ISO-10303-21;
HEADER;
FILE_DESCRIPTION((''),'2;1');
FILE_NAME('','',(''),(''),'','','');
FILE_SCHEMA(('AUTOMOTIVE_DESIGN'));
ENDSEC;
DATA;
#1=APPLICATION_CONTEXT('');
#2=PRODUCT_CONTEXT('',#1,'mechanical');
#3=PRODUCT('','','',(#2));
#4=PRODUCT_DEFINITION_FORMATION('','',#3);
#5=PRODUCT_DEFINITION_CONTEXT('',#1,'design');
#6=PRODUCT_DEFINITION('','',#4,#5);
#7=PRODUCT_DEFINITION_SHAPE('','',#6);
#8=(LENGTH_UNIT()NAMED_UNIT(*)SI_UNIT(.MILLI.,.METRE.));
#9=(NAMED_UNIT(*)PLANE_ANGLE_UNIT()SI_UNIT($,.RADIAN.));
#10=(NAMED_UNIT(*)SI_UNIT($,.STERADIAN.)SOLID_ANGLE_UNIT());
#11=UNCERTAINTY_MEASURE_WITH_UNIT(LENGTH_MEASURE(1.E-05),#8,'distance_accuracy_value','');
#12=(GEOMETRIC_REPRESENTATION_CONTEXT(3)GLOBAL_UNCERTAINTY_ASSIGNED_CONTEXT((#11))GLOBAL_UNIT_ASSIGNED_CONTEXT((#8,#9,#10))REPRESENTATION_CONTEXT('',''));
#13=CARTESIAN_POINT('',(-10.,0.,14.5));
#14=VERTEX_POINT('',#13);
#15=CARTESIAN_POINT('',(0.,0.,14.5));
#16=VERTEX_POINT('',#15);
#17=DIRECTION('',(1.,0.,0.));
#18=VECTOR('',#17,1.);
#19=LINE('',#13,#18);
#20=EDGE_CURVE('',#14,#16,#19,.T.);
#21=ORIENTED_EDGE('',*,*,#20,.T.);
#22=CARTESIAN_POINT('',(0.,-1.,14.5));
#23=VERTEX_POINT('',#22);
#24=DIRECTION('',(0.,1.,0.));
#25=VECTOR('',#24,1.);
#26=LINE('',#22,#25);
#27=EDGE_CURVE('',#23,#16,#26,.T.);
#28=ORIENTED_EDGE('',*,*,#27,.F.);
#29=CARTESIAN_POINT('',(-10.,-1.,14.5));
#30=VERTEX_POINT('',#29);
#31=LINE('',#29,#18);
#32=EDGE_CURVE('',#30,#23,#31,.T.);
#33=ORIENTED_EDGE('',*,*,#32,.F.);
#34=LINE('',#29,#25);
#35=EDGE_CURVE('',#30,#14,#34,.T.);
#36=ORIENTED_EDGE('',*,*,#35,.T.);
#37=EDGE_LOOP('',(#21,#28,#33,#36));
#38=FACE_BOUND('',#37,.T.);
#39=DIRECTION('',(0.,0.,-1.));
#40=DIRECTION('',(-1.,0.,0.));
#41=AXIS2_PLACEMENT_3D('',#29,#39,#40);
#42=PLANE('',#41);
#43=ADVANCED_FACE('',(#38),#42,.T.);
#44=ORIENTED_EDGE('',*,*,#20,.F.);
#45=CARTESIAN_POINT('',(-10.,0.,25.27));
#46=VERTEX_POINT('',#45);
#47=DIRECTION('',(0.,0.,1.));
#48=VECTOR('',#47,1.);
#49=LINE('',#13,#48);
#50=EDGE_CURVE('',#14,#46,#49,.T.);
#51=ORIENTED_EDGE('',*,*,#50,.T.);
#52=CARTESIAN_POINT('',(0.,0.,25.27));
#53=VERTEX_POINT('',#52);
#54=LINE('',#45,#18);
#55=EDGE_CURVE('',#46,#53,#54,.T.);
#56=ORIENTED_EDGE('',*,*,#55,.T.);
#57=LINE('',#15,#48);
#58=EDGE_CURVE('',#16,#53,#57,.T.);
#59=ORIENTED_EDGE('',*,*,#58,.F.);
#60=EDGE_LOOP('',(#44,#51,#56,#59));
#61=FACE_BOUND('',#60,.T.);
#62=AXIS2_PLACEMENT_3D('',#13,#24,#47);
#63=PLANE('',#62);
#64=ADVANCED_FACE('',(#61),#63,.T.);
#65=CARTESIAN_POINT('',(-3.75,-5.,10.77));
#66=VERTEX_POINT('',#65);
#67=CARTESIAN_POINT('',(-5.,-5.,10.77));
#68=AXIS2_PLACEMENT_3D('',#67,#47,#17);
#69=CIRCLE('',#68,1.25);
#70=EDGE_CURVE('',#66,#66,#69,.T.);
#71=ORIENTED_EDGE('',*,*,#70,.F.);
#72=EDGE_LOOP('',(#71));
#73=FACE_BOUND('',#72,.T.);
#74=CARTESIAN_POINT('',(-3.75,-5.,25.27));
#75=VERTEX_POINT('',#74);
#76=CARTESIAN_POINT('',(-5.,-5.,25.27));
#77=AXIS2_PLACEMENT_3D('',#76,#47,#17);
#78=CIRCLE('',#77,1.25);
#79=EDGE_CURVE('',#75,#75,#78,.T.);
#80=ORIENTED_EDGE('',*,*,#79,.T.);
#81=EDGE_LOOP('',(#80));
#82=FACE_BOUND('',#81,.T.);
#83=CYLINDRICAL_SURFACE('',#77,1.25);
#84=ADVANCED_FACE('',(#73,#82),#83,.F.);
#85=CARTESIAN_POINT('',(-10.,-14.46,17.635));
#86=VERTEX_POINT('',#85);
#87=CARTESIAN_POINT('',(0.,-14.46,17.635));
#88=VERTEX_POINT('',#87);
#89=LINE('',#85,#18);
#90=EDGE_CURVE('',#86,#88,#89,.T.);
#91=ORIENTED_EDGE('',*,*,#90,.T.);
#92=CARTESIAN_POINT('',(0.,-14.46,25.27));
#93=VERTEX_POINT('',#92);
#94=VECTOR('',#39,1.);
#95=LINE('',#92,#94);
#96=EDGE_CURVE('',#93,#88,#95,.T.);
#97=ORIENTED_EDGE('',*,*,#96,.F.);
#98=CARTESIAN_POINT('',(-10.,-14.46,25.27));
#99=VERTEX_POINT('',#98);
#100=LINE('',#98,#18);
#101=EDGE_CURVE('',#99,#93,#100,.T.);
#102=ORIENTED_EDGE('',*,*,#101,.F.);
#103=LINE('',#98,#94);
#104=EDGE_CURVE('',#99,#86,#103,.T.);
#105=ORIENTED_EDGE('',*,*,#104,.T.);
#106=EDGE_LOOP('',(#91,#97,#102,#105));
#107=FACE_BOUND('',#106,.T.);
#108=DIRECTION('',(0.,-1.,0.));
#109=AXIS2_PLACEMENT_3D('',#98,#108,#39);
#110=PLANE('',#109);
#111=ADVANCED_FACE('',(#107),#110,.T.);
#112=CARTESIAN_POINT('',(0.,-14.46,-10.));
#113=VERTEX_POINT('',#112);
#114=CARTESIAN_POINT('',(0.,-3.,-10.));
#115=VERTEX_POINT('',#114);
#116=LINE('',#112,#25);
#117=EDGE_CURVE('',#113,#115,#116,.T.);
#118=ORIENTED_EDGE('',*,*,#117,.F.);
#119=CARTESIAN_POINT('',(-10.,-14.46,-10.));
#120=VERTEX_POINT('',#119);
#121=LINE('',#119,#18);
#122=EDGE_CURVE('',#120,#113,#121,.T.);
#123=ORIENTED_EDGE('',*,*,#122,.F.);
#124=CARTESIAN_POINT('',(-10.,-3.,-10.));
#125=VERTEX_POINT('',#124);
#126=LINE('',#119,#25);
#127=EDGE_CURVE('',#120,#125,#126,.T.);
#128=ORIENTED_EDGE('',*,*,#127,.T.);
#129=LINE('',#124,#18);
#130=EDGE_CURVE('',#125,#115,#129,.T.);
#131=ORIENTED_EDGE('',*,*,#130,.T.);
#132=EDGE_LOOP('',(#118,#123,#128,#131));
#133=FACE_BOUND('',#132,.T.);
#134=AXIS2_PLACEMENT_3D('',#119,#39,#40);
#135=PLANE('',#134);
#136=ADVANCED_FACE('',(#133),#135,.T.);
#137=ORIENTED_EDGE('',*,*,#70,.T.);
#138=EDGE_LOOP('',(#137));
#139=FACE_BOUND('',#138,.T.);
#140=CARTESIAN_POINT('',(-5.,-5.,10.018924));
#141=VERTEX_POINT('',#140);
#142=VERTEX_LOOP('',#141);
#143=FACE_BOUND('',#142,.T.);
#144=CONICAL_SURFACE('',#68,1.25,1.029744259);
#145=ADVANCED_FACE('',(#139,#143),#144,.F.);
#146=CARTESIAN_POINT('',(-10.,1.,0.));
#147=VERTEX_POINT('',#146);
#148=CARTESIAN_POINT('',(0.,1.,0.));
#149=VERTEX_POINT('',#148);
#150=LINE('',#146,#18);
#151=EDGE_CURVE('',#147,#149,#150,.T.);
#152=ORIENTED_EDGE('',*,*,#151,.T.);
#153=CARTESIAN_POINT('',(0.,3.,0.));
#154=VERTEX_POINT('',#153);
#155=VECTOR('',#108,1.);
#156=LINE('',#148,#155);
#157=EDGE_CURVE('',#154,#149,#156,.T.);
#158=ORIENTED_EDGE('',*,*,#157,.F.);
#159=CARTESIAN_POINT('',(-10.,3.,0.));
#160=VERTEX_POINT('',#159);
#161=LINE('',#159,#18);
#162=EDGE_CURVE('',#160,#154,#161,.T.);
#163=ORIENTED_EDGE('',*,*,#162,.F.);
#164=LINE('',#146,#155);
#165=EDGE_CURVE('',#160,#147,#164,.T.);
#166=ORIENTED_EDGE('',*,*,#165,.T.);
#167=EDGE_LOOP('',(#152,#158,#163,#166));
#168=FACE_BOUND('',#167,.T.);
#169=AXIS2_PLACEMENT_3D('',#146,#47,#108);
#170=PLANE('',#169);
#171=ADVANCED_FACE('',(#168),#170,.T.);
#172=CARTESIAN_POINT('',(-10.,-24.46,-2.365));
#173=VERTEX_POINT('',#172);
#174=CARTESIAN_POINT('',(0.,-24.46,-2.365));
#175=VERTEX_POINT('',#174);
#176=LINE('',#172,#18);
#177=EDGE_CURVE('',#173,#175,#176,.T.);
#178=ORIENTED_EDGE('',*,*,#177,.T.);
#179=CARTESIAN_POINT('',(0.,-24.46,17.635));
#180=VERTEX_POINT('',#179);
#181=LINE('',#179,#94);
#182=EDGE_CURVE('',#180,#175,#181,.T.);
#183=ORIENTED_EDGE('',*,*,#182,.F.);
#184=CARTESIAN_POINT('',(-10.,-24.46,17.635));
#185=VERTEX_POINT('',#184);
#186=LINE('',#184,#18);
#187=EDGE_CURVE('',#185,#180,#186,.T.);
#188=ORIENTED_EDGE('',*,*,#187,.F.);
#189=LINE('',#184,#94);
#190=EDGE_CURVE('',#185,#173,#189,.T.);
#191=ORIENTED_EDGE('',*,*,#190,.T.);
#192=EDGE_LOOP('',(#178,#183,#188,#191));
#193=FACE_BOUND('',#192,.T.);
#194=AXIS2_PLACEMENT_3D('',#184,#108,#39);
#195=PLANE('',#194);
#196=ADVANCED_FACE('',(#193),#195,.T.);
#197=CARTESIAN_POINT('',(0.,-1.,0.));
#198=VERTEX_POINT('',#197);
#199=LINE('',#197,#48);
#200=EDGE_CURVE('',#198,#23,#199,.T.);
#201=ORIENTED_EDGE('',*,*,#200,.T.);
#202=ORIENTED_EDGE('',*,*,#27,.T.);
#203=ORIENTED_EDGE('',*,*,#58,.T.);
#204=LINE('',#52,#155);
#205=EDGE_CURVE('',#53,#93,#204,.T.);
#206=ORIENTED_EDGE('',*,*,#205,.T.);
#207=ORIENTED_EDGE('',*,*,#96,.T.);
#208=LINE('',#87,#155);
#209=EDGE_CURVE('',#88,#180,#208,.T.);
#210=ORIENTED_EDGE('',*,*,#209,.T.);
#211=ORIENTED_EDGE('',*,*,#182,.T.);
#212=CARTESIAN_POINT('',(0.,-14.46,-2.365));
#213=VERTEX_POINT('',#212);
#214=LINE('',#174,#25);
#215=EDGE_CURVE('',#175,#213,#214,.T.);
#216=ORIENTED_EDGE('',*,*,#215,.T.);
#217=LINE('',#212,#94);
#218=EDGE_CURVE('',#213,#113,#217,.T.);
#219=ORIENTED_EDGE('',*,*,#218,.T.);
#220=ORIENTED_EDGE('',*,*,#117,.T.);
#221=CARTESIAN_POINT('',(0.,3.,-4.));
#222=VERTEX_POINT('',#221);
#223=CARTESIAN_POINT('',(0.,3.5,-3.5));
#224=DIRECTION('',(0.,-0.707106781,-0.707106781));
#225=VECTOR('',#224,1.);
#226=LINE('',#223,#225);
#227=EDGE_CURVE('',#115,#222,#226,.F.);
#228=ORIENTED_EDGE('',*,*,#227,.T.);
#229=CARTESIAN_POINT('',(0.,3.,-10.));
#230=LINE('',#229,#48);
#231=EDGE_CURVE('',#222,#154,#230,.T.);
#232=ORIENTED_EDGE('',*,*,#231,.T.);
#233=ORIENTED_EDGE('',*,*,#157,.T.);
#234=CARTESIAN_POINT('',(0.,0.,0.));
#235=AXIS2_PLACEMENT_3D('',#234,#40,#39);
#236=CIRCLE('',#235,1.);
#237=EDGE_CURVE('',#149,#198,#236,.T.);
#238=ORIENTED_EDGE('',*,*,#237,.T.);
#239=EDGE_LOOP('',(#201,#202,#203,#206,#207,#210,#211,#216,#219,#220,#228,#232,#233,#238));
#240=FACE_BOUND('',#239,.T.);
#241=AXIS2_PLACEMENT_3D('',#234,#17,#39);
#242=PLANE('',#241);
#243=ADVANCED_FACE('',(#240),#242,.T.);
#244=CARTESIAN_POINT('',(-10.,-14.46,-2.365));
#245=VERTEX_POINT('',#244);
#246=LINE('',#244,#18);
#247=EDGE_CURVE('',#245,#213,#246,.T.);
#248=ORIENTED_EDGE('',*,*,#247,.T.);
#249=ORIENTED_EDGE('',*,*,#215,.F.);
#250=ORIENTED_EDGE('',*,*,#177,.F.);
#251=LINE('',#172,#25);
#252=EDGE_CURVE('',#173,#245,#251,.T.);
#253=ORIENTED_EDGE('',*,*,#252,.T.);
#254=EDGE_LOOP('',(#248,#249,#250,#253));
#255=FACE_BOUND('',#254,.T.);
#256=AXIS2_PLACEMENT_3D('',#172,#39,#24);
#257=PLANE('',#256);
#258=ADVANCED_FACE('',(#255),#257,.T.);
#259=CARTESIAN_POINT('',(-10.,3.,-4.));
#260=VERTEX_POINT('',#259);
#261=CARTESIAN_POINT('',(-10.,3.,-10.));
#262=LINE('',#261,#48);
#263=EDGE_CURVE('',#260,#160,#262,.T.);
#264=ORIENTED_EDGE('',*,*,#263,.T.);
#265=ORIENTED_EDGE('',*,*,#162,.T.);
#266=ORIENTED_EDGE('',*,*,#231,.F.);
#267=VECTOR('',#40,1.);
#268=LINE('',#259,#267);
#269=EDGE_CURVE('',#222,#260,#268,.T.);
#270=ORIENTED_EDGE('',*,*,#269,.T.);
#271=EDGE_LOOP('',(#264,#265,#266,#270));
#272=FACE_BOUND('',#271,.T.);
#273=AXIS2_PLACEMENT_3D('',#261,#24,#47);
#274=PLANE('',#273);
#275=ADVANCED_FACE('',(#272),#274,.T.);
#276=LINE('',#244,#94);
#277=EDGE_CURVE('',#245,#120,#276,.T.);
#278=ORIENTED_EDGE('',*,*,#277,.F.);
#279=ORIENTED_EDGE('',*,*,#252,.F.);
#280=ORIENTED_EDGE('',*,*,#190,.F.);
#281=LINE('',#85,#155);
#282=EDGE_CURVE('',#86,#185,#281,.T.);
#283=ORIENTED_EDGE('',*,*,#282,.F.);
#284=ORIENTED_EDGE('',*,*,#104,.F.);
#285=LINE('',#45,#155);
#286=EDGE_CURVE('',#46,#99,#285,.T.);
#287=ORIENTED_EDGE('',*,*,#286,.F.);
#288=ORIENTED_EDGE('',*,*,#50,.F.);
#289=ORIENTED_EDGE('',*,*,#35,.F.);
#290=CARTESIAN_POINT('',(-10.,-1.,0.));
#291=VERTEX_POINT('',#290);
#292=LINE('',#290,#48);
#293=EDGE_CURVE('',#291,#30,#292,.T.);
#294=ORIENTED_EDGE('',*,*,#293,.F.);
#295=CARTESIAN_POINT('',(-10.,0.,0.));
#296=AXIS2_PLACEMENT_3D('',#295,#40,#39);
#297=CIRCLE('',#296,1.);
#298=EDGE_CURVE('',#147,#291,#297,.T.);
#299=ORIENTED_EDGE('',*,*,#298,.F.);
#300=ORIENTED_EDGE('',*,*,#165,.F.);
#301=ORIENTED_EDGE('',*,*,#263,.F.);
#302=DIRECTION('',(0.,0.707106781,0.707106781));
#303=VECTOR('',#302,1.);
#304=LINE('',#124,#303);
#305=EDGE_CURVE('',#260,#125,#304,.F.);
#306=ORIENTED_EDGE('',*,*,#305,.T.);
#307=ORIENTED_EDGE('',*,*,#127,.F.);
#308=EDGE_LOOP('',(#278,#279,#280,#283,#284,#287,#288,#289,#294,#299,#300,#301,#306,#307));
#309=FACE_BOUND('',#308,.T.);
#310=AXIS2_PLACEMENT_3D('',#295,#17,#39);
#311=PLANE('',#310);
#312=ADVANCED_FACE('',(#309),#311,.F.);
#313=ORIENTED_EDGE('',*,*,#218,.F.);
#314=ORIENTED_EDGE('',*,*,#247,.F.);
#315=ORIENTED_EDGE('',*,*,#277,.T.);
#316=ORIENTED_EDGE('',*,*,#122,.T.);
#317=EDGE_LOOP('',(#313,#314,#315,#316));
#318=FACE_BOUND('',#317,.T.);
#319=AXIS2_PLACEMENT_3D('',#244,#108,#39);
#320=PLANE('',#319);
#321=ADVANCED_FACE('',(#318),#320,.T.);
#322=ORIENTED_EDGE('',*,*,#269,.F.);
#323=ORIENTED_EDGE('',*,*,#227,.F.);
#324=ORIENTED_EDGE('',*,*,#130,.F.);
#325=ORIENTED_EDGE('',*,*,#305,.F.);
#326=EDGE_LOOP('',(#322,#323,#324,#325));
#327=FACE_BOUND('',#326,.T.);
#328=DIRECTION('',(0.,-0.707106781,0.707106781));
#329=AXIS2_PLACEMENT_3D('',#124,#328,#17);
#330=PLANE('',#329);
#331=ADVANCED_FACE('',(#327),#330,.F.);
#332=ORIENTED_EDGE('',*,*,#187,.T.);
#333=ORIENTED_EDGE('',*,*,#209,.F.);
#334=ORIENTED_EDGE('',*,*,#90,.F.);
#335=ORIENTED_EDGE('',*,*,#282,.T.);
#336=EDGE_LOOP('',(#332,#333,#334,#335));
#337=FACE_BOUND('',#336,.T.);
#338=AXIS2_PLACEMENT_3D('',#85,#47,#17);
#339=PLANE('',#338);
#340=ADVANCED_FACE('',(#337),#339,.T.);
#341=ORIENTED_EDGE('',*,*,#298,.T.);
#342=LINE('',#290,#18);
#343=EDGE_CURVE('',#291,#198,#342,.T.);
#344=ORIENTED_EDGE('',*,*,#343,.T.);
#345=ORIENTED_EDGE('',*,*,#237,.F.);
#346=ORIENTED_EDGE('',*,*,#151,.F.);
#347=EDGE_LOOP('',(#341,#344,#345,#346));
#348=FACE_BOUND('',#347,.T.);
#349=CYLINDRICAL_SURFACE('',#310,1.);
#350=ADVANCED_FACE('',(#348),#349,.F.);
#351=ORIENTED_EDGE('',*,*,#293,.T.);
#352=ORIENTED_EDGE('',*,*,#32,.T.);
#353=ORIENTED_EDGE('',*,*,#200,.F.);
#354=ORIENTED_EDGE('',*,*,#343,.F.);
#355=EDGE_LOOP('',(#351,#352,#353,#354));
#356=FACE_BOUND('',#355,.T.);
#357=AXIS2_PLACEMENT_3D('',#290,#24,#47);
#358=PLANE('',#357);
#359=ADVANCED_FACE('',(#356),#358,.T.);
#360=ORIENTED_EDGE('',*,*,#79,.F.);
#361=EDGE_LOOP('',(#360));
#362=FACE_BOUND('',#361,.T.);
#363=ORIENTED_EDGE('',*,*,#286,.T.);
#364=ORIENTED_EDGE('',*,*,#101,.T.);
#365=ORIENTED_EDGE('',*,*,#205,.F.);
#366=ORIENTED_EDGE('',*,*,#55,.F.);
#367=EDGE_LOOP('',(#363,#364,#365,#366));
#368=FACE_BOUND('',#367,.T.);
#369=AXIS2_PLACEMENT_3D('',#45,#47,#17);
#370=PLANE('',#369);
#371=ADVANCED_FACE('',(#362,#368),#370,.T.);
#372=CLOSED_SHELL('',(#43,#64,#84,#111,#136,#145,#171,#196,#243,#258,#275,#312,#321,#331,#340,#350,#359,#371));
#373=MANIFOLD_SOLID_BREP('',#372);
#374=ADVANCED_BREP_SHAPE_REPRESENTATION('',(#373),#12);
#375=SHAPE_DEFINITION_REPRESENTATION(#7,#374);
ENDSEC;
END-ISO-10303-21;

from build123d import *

# Parameters (mm, degrees)
BOSS_EXTRUDE1_DEPTH       = 10
CHAMFER1_SIZE             = 6
M3X0_5_TAPPED_HOLE1_D     = 2.5
M3X0_5_TAPPED_HOLE1_DEPTH = 14.5
M3X0_5_TAPPED_HOLE1_TIP   = 0.751075774


with BuildPart() as part:
    # Sketch1 → Boss-Extrude1 (new body)
    with BuildSketch(Plane(origin=(0, 0, 0), x_dir=(0, 0, -1), z_dir=(1, 0, 0))):
        with BuildLine():
            Line((0, 1), (0, 3))
            Line((0, 3), (10, 3))
            Line((10, 3), (10, -14.46))
            Line((10, -14.46), (2.365, -14.46))
            Line((2.365, -14.46), (2.365, -24.46))
            Line((2.365, -24.46), (-17.635, -24.46))
            Line((-17.635, -24.46), (-17.635, -14.46))
            Line((-17.635, -14.46), (-25.27, -14.46))
            Line((-25.27, -14.46), (-25.27, 0))
            Line((-25.27, 0), (-14.5, 0))
            Line((-14.5, 0), (-14.5, -1))
            Line((-14.5, -1), (0, -1))
            ThreePointArc((0, -1), (1, 0), (0, 1))
        make_face()
    extrude(amount=-BOSS_EXTRUDE1_DEPTH)

    # Chamfer1
    chamfer1_edges = [part.edges().sort_by_distance(p)[0] for p in [
        (-5, 3, -10),
    ]]
    chamfer(chamfer1_edges, length=CHAMFER1_SIZE)

    # M3x0.5 Tapped Hole1
    with Locations(Plane(origin=(-5, -5, 25.27), x_dir=(1, 0, 0), z_dir=(0, 0, 1))):
        with Locations((0, 0)):
            Hole(M3X0_5_TAPPED_HOLE1_D / 2, depth=M3X0_5_TAPPED_HOLE1_DEPTH)
            with Locations((0, 0, -(M3X0_5_TAPPED_HOLE1_DEPTH + M3X0_5_TAPPED_HOLE1_TIP / 2))):  # 118° drill point
                Cone(0, M3X0_5_TAPPED_HOLE1_D / 2, M3X0_5_TAPPED_HOLE1_TIP, mode=Mode.SUBTRACT)


solid = part.part
